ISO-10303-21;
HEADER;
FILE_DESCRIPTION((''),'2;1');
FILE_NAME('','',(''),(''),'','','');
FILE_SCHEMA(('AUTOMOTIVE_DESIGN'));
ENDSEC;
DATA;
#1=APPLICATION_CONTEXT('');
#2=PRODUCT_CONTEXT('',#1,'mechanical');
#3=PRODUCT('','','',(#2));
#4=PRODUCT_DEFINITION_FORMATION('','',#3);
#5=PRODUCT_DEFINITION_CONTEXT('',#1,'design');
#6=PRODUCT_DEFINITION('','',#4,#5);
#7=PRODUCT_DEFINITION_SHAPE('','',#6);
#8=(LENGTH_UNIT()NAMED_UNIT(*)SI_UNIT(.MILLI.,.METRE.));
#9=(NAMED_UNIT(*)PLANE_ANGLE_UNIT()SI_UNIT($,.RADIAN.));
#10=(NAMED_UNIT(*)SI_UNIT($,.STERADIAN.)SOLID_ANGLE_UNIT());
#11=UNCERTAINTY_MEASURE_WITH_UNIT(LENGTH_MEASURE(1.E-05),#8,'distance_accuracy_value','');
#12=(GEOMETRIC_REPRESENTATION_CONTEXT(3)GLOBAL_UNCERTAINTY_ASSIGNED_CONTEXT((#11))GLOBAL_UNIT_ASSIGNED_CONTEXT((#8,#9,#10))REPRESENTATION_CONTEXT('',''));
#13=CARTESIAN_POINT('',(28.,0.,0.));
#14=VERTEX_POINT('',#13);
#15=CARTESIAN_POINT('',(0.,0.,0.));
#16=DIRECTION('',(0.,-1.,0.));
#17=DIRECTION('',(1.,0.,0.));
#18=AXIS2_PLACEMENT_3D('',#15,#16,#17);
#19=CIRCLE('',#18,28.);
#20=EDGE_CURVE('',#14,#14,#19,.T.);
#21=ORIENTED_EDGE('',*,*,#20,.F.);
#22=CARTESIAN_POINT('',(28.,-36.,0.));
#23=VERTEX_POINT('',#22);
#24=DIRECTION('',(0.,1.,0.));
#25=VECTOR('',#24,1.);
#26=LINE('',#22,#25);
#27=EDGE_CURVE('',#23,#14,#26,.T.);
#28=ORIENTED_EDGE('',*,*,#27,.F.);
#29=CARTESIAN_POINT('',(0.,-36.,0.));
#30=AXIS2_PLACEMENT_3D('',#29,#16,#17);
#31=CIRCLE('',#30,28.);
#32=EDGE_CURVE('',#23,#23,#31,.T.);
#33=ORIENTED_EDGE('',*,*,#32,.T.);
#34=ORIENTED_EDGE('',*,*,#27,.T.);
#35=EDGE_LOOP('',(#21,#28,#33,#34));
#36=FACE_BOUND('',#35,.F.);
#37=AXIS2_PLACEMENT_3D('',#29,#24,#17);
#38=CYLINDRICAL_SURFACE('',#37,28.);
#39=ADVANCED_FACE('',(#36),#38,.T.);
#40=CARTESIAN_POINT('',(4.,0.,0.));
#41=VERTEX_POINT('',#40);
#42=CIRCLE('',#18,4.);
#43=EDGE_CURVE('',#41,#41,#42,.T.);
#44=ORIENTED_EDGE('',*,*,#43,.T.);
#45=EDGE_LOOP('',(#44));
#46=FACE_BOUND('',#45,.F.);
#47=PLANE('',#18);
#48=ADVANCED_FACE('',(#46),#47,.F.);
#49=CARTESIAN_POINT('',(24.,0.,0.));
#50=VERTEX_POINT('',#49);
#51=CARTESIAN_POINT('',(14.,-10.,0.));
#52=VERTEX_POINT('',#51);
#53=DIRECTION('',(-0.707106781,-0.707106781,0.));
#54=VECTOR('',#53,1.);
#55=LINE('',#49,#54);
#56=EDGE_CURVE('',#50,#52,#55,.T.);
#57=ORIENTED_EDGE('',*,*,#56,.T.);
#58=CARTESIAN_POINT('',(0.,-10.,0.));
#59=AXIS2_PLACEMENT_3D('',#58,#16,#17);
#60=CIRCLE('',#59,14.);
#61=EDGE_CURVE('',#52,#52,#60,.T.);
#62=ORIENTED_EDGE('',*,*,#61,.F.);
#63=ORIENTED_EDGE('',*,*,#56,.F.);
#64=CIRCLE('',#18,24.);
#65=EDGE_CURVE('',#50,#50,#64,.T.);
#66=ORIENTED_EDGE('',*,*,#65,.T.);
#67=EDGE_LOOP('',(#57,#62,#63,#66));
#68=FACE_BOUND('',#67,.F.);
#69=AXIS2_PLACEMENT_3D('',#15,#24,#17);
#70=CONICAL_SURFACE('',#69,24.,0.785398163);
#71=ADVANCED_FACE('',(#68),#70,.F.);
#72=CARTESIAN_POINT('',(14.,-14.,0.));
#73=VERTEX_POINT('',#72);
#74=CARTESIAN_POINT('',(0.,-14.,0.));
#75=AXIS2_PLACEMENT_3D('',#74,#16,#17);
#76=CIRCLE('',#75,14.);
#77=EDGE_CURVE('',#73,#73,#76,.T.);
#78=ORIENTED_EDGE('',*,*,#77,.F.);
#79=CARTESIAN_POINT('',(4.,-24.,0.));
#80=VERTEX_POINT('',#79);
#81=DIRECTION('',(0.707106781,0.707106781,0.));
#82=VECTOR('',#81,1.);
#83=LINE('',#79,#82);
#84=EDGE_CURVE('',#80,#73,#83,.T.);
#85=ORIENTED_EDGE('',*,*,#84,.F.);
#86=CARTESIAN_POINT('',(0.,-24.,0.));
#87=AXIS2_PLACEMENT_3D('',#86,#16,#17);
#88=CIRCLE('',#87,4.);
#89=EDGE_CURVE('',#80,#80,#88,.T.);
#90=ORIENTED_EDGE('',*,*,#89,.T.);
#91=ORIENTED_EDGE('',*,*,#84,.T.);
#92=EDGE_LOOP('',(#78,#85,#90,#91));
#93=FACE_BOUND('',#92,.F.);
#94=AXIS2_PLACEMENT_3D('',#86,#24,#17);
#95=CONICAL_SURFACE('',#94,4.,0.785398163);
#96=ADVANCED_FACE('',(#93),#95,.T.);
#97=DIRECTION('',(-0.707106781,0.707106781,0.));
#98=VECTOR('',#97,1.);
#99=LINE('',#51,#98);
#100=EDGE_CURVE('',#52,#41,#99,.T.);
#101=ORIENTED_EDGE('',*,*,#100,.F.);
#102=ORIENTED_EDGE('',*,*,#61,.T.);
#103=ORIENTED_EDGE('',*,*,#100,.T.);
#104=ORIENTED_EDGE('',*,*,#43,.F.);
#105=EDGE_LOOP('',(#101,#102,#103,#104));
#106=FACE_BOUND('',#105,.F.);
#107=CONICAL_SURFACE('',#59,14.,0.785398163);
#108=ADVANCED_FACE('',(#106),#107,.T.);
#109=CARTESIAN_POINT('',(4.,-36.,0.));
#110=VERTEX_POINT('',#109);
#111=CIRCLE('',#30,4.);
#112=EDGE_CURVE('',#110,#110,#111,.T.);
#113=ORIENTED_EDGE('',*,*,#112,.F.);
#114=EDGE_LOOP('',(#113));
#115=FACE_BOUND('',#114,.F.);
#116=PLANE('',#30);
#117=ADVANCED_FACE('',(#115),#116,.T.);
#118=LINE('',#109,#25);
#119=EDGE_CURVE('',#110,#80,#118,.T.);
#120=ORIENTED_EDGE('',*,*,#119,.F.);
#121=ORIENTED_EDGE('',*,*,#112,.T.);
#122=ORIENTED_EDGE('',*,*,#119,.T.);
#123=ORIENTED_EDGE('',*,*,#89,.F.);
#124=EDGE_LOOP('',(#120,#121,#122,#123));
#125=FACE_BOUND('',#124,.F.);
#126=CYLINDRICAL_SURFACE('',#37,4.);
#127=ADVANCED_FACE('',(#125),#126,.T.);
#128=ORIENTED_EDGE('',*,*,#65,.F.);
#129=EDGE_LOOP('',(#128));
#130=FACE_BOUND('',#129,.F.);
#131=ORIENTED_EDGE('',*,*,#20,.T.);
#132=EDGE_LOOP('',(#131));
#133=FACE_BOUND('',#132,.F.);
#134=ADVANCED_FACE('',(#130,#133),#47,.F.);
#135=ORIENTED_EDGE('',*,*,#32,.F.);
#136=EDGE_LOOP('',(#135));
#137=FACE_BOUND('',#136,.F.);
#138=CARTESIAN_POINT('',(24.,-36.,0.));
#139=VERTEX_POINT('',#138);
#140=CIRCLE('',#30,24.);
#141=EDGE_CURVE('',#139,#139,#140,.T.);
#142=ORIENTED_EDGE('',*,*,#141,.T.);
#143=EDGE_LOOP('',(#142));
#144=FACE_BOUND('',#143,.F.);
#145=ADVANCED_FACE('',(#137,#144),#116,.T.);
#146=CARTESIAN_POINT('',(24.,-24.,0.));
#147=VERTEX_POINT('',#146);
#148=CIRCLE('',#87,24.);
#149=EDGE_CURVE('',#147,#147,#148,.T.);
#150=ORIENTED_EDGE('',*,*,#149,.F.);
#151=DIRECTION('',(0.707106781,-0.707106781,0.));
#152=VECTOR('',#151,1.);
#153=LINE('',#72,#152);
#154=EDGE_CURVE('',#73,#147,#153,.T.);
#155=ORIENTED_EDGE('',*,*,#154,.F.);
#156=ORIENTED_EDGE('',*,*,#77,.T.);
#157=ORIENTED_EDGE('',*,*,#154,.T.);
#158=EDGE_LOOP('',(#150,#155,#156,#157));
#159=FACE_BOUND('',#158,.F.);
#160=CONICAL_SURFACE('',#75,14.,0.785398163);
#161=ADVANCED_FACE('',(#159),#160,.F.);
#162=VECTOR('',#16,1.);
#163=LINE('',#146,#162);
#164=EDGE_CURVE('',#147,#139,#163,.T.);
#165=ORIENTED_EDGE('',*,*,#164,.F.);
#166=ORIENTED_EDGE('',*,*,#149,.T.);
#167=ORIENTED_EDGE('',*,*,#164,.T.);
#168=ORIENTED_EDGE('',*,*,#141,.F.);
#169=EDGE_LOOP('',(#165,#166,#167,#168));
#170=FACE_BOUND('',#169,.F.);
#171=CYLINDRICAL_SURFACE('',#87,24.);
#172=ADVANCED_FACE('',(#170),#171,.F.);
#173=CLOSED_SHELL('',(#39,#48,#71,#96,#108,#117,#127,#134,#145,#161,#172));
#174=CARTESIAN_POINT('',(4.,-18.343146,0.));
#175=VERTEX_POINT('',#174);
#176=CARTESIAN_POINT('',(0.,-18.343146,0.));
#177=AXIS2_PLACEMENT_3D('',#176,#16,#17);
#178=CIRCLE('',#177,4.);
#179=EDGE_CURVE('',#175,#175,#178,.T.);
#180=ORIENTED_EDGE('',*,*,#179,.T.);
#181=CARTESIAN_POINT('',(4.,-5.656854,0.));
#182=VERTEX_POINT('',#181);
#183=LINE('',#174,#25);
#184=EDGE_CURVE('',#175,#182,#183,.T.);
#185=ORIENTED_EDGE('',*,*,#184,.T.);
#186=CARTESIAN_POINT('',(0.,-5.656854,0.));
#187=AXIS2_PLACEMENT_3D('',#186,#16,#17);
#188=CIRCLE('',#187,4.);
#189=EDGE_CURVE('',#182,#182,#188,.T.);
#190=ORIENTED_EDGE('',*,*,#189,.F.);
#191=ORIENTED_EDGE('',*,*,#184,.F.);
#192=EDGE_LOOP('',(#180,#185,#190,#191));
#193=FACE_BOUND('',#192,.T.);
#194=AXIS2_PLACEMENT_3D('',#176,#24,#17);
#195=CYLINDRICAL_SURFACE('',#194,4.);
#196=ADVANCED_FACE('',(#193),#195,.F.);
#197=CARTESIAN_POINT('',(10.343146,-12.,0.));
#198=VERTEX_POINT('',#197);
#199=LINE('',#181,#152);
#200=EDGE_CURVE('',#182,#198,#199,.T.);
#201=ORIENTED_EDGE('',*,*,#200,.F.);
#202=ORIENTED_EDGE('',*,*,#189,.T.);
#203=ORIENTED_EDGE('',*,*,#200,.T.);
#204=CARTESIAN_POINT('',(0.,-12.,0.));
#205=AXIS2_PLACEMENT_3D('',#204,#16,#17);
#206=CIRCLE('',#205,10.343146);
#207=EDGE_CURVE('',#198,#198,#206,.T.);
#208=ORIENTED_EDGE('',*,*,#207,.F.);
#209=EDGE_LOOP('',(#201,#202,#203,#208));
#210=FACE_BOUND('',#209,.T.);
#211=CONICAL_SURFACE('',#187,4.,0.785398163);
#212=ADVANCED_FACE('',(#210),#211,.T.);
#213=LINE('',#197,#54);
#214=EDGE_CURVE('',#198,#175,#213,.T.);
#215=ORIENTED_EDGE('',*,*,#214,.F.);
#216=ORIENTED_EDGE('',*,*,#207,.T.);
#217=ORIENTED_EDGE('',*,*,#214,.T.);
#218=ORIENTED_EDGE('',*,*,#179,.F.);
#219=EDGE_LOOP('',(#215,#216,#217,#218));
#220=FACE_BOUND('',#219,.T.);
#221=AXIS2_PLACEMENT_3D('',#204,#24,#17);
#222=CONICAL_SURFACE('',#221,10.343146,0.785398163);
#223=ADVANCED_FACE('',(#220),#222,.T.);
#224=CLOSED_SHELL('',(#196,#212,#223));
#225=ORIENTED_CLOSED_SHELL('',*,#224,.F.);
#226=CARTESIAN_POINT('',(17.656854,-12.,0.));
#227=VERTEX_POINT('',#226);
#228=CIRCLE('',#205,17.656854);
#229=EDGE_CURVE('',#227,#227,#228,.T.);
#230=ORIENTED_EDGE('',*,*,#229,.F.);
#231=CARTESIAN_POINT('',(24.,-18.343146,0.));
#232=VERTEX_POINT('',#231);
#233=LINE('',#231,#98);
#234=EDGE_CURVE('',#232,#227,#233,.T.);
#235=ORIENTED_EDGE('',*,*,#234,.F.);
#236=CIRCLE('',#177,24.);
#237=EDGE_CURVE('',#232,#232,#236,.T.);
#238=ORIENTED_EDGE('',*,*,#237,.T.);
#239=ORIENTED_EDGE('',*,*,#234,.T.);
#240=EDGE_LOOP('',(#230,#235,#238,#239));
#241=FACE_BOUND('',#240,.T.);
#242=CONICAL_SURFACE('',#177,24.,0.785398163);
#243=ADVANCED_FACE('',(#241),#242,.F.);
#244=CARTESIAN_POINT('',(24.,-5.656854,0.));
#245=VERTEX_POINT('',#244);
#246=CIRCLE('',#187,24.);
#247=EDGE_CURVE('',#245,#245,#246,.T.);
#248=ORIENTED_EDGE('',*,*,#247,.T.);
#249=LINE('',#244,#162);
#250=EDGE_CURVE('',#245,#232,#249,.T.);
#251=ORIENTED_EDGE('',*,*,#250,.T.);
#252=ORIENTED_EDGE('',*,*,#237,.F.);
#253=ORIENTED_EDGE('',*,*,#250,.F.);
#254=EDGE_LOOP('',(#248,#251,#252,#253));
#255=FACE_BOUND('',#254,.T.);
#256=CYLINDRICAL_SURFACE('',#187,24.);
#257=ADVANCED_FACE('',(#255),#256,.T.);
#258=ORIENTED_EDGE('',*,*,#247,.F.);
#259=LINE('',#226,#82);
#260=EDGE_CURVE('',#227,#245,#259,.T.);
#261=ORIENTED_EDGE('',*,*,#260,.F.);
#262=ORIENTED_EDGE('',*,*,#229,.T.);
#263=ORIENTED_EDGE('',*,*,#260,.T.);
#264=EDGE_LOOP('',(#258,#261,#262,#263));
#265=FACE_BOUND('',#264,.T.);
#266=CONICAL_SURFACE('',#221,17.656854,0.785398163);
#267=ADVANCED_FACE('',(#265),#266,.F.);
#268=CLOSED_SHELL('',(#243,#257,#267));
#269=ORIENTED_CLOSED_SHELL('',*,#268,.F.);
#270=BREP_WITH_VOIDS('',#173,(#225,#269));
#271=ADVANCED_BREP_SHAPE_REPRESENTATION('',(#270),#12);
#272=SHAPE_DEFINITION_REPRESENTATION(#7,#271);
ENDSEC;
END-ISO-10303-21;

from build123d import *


with BuildPart() as f1:
    # F0 (on Top) → F1 (revolve)
    with BuildSketch(Plane.XY):
        Polygon((4, -36), (4, -24), (14, -14), (24, -24), (24, -36), (28, -36), (28, 0), (24, 0), (14, -10), (4, 0), (0, 0), (0, -36), align=None)
        Polygon((10.343146, -12), (4, -18.343146), (4, -5.656854), align=None, mode=Mode.SUBTRACT)
        Polygon((24, -18.343146), (17.656854, -12), (24, -5.656854), align=None, mode=Mode.SUBTRACT)
    revolve(axis=Axis((0, -18, 0), (0, -1, 0)))


solid = f1.part
